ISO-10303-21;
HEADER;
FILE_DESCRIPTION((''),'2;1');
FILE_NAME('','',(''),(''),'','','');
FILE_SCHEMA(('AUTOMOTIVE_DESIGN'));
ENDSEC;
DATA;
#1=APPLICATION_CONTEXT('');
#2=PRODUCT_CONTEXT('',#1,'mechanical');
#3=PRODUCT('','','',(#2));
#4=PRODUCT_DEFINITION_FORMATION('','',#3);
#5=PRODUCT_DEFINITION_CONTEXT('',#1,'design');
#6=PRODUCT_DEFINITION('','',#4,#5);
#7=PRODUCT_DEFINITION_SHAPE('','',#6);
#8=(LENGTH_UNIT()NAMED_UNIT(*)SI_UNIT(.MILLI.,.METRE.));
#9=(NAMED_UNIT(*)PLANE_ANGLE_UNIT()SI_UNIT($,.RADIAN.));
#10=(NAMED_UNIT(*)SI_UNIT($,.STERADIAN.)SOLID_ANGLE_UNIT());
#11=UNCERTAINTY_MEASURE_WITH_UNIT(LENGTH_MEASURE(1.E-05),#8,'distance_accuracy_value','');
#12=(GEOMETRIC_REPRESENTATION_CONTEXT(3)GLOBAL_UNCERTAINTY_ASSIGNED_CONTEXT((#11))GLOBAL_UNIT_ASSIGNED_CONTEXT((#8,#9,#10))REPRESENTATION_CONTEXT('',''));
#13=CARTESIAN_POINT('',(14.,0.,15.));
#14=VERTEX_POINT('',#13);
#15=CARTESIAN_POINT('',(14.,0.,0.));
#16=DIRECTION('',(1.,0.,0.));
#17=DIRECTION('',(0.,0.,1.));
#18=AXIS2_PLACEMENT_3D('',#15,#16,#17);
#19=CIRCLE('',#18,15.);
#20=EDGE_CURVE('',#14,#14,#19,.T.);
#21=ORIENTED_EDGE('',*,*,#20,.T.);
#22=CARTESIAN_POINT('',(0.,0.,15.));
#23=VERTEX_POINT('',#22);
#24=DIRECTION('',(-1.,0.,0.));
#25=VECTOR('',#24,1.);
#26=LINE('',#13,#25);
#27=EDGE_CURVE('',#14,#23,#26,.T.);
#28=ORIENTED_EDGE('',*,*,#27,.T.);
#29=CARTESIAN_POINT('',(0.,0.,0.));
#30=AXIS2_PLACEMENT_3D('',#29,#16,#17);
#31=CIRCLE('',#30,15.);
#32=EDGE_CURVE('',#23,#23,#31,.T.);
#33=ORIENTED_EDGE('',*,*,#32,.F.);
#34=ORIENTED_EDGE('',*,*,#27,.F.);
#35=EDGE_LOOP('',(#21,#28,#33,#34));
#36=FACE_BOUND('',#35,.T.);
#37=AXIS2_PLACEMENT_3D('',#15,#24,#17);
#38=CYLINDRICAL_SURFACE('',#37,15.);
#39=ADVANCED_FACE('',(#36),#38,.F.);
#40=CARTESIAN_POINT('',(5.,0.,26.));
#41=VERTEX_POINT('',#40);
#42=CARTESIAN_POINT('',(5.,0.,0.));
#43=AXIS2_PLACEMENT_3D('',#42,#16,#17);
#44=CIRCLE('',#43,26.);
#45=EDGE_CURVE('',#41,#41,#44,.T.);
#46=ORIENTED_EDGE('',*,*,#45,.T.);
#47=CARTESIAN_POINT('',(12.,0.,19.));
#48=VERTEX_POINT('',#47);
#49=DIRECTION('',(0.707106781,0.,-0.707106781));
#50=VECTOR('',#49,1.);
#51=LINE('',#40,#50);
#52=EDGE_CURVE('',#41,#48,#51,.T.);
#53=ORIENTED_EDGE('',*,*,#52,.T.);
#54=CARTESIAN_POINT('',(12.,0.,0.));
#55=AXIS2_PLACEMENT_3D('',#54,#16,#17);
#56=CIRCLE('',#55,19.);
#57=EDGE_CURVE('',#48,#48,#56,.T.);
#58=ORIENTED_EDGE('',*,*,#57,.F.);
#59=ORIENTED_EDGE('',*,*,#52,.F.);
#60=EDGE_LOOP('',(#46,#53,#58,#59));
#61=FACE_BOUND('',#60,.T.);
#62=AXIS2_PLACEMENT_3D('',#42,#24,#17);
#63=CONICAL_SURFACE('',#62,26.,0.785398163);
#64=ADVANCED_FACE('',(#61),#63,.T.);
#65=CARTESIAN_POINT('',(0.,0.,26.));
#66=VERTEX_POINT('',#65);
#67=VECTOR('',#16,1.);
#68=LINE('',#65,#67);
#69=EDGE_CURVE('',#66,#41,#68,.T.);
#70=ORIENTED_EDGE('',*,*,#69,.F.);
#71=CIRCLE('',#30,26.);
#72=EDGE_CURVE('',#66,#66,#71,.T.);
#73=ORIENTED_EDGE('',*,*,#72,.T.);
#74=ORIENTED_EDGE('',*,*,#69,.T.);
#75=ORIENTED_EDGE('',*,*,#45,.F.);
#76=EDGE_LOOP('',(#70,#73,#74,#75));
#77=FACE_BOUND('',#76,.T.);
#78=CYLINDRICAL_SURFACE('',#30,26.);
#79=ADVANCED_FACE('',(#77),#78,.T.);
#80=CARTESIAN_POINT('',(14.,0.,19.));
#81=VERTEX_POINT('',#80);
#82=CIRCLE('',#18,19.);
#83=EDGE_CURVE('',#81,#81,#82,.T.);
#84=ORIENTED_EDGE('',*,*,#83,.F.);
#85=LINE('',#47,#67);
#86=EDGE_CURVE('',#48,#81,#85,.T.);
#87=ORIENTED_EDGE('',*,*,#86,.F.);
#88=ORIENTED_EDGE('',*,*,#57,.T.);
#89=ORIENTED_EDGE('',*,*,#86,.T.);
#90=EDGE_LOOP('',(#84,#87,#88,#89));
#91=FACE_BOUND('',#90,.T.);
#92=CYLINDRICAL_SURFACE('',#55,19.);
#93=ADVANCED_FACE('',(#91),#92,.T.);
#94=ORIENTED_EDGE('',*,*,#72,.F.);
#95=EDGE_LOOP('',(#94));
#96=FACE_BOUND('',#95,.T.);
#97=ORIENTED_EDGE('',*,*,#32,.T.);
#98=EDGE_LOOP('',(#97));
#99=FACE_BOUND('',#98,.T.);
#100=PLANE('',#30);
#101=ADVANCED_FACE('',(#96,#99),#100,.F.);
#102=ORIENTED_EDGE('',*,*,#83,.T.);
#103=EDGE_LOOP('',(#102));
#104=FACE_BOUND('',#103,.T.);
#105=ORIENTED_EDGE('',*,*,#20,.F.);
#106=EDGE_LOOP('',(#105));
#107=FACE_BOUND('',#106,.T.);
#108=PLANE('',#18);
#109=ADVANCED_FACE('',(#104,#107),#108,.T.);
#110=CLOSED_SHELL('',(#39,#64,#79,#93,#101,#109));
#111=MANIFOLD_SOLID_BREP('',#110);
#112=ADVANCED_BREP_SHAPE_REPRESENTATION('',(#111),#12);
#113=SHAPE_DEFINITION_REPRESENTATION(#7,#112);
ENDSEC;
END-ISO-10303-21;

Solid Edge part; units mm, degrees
sketch "Sketch1" plane through (0, 0, 0) normal (0, -1, 0) x (1, 0, 0)
  line L0 (5, 26) -> (12, 19)
  line L1 (12, 19) -> (14, 19)
  line L2 (14, 19) -> (14, 15)
  line L3 (14, 15) -> (0, 15)
  line L4 (0, 15) -> (0, 26)
  line L5 (0, 26) -> (5, 26)
revolve "RevolvedProtrusion1" add sketch "Sketch1" angle 360 about axis through (0, 0, 0) along (1, 0, 0)
properties part number "1976-1100-008" material "Aluminio, 7075-T6"
